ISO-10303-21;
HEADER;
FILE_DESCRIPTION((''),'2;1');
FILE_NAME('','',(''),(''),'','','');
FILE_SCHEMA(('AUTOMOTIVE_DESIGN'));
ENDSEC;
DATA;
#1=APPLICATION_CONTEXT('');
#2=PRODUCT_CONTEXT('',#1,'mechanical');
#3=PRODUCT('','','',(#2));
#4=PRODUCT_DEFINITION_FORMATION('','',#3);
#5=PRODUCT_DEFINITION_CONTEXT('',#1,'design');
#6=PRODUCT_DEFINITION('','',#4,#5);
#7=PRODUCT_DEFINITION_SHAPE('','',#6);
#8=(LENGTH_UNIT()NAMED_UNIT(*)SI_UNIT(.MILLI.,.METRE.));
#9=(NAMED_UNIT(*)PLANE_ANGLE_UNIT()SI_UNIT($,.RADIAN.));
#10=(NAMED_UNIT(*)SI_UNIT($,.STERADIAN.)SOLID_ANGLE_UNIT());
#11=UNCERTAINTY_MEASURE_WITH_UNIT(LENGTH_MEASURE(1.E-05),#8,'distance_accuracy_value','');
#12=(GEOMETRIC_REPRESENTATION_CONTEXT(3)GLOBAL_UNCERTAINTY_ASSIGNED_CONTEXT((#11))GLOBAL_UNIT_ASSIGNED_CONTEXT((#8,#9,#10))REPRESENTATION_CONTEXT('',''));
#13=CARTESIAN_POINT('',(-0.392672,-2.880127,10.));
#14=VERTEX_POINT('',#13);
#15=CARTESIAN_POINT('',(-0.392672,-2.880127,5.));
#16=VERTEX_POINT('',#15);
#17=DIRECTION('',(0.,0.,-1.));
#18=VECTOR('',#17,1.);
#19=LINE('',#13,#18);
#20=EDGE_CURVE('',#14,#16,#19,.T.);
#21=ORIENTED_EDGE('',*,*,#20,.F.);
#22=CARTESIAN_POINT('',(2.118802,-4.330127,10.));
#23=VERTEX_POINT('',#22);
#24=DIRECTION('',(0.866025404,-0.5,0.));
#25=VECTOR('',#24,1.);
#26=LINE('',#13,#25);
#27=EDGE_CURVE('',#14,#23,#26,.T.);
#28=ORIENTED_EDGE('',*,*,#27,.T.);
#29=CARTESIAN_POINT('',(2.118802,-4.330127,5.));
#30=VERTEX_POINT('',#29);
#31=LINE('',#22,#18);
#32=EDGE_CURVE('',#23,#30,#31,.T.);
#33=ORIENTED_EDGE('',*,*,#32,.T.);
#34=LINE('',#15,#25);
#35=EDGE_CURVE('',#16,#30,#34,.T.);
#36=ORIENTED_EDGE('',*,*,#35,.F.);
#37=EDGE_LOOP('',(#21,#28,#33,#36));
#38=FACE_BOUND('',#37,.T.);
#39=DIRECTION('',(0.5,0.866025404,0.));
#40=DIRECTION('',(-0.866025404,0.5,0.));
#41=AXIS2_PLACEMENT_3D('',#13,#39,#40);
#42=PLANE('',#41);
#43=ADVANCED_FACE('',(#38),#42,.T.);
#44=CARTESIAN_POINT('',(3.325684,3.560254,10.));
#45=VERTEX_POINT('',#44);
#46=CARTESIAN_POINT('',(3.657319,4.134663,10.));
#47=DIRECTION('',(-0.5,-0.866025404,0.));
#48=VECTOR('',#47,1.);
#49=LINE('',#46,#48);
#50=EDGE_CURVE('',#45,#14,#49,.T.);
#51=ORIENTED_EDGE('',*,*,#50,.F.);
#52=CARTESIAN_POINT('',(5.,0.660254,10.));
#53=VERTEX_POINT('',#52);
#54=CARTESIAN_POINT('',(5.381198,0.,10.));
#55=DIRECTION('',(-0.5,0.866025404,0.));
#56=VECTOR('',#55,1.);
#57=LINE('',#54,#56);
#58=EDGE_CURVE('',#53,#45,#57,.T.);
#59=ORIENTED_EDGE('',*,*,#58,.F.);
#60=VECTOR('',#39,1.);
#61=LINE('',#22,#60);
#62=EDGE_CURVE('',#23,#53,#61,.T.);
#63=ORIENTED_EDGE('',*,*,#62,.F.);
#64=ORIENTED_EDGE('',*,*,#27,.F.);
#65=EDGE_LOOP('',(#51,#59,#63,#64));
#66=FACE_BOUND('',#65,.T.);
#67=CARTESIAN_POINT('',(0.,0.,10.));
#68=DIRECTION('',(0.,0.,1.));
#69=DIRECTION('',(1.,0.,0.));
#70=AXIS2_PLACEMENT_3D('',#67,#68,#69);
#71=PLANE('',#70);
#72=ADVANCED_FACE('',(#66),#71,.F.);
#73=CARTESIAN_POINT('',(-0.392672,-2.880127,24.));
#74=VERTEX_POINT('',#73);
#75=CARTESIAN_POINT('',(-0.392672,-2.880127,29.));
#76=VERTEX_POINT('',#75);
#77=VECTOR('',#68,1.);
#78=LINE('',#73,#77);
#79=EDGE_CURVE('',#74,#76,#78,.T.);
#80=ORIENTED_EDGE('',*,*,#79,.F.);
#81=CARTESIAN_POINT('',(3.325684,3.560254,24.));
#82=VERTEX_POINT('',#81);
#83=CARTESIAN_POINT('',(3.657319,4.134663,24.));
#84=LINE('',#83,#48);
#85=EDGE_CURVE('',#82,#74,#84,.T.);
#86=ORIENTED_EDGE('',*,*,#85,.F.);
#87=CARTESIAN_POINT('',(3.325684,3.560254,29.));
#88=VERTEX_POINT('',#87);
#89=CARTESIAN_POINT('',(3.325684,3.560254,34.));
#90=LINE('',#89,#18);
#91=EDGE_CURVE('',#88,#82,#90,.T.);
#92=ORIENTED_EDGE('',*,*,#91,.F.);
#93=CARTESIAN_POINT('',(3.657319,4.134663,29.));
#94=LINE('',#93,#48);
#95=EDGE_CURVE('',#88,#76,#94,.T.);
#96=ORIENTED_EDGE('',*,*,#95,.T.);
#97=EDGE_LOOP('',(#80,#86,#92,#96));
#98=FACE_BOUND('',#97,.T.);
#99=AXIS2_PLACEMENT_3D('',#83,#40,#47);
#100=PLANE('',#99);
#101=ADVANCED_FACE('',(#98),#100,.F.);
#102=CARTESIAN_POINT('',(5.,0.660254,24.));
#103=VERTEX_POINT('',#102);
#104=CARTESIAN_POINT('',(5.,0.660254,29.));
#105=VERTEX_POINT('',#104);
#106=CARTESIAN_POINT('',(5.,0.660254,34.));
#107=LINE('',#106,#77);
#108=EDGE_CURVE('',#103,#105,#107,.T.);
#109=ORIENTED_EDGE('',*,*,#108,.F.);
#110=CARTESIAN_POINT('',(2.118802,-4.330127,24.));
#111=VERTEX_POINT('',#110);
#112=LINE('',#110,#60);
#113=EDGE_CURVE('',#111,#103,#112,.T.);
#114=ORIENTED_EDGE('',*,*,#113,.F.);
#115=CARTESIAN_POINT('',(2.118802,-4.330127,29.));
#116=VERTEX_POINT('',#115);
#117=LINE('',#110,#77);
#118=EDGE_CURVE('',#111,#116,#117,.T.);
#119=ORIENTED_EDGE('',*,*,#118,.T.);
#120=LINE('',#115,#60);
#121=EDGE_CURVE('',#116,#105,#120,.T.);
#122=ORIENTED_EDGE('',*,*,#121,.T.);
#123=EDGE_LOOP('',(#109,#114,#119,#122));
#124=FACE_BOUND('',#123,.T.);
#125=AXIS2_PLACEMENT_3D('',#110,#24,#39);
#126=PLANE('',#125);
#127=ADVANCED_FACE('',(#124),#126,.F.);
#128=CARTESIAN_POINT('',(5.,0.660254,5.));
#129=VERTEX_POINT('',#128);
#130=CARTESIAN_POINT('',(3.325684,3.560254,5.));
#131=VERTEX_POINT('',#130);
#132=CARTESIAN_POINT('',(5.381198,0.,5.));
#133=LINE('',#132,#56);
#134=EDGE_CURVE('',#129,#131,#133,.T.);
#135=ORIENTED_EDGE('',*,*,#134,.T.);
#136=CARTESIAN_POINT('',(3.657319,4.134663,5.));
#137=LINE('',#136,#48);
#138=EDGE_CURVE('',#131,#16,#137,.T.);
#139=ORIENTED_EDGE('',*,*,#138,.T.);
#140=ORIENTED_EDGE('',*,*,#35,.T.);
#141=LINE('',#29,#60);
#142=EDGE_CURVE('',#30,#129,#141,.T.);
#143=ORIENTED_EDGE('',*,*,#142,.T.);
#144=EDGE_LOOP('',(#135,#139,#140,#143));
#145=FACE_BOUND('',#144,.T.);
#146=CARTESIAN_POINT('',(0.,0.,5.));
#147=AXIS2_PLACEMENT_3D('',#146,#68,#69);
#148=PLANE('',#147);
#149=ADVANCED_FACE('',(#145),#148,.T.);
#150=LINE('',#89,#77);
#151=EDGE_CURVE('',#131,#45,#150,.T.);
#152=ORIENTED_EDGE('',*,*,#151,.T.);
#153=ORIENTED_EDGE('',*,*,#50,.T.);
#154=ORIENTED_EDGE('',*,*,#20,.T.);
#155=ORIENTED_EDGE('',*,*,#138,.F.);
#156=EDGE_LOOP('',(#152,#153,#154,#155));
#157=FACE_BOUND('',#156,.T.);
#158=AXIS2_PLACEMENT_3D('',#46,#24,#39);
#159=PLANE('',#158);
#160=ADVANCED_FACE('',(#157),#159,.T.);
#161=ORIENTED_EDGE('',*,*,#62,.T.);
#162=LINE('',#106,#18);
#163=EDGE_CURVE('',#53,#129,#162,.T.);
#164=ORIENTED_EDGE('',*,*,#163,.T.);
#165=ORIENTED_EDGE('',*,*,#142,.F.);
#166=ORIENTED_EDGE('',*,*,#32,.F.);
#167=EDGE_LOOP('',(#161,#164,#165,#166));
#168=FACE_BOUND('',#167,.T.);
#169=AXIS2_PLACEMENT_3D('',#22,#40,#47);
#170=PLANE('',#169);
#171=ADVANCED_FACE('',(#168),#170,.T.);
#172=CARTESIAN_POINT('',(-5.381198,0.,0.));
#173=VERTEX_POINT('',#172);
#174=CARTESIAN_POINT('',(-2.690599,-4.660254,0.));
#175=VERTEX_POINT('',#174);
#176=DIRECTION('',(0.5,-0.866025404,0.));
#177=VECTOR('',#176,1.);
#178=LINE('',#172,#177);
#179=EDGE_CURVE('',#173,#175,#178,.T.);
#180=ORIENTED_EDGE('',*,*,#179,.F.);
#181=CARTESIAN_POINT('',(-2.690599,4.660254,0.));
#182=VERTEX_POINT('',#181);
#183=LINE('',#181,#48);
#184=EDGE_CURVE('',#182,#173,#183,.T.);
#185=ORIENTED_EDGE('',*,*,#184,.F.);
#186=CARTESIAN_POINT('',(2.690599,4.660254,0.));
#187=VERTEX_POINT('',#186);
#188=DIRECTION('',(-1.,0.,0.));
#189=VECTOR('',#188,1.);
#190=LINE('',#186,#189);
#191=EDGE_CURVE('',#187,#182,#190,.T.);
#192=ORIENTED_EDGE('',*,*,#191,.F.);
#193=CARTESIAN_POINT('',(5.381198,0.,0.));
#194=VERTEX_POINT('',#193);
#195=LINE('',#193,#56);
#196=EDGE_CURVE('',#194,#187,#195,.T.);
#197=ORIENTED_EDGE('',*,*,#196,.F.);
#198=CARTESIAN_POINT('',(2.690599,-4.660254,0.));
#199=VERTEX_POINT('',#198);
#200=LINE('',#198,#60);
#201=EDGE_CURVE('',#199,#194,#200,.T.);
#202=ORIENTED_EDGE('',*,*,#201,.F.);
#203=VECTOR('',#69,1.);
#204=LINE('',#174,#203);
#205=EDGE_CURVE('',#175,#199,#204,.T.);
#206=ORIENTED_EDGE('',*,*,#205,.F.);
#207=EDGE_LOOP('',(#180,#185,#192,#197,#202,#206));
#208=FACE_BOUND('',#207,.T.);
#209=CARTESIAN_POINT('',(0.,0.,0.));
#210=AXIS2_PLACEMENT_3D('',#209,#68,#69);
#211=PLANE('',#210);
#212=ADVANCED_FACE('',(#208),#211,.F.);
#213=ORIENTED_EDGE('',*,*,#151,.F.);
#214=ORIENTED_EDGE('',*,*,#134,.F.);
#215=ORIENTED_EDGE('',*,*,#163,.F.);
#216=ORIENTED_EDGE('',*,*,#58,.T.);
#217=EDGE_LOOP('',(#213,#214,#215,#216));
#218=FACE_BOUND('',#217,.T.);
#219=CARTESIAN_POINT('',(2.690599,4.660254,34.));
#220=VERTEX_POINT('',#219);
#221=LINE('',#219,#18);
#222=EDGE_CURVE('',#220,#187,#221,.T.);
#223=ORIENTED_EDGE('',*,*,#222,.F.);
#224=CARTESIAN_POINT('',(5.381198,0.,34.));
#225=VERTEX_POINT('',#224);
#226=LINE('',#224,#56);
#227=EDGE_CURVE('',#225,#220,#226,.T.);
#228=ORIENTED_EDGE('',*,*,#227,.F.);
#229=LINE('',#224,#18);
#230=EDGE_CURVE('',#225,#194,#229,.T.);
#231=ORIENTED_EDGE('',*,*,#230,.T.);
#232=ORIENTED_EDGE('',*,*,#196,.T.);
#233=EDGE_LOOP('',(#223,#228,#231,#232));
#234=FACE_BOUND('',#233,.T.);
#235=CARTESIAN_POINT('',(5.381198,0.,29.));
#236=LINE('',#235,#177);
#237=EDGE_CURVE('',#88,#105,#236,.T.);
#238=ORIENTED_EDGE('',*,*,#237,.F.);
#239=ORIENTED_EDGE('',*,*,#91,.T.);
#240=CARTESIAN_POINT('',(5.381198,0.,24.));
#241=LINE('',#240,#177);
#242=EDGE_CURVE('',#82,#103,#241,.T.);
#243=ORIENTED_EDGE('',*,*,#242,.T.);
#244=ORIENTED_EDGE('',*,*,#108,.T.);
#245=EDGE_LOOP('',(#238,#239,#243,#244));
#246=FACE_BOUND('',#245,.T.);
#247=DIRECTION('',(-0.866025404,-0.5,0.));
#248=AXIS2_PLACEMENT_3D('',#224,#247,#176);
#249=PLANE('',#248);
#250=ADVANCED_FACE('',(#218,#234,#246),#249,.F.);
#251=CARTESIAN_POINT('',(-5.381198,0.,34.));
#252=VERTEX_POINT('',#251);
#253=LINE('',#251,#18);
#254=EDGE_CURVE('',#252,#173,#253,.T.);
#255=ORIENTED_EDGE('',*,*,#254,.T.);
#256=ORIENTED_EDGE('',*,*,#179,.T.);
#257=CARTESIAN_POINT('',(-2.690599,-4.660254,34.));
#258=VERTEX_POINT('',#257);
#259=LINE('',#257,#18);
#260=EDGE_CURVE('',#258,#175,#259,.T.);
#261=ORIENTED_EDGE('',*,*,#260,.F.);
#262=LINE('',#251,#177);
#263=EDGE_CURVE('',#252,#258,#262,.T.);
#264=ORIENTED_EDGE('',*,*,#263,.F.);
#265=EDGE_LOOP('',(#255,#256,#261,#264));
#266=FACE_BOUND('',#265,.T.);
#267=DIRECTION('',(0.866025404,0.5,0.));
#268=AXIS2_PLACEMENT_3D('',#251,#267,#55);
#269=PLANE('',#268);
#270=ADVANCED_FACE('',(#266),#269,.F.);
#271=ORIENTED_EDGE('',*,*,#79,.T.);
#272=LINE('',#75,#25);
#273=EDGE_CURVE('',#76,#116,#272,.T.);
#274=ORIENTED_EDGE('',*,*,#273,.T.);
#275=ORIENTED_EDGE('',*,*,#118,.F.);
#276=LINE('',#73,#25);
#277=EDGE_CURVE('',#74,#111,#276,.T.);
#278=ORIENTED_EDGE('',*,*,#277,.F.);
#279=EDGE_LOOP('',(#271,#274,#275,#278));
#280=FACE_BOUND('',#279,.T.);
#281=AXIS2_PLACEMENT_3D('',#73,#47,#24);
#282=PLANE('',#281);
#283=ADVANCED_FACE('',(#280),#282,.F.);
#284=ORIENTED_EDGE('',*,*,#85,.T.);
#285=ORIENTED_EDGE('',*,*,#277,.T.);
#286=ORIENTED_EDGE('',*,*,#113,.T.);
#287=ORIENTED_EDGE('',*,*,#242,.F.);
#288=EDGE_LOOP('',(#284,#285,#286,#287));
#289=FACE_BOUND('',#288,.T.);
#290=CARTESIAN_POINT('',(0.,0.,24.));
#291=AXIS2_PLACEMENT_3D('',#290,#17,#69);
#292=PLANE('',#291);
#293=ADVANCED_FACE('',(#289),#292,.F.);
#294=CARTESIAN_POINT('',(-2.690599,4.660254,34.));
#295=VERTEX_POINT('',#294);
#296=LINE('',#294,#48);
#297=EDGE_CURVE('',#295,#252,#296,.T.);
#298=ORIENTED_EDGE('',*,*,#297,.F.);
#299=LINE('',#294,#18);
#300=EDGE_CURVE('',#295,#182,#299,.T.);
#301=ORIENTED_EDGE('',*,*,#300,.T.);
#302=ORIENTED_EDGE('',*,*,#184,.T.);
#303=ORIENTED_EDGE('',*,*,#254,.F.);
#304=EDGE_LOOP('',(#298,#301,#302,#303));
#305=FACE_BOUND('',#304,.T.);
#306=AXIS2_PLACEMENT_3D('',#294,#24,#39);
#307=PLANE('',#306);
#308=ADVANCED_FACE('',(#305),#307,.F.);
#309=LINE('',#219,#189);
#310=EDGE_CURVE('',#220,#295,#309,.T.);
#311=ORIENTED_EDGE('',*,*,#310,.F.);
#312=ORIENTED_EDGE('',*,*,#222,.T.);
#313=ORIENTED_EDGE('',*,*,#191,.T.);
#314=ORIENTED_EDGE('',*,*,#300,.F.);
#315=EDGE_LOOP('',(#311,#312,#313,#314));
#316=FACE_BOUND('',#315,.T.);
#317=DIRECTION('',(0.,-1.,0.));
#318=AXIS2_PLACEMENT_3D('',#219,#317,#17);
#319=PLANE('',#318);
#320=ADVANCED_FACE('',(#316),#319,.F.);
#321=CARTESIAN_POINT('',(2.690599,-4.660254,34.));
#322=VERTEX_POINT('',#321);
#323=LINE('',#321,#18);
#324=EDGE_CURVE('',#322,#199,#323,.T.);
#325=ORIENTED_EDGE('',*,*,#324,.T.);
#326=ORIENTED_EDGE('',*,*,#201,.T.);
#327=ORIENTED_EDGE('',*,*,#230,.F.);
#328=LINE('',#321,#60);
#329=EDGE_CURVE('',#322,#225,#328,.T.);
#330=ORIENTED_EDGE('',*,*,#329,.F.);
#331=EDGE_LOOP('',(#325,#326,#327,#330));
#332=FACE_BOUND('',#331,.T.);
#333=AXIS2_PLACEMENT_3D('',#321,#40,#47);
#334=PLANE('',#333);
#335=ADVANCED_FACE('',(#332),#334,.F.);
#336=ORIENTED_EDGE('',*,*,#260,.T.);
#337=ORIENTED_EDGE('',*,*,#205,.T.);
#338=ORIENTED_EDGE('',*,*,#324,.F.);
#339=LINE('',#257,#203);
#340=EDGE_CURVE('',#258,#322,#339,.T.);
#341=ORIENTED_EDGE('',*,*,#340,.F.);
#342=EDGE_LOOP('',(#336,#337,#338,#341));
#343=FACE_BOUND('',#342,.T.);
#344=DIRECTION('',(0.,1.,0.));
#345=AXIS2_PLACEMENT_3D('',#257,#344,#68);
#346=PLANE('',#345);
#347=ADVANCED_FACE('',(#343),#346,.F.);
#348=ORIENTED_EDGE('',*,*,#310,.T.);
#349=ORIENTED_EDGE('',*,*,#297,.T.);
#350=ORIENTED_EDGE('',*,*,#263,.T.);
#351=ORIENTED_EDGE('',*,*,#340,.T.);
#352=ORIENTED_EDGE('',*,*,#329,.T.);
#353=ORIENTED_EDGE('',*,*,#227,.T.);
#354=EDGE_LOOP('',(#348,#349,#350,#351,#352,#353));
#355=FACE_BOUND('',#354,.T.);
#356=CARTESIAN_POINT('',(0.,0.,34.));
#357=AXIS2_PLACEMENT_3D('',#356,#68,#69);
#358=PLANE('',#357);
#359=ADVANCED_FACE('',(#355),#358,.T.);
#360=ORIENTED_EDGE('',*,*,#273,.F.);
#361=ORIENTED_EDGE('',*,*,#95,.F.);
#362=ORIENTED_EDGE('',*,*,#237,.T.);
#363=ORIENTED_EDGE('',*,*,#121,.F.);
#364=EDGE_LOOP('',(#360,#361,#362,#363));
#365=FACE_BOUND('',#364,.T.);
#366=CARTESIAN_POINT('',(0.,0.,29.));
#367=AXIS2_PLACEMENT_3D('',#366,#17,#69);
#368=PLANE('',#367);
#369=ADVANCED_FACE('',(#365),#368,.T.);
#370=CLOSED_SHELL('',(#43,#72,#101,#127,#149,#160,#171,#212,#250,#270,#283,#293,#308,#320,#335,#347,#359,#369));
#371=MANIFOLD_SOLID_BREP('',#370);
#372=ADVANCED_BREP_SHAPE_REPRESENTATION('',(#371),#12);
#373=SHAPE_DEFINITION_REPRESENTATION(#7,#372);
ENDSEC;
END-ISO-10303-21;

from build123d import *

# Parameters (mm, degrees)
BOSS_EXTRU_1_DEPTH      = 34
ENL_V_MAT_EXTRU_1_DEPTH = 5


with BuildPart() as part:
    # Esquisse1 → Boss.-Extru.1 (new body)
    with BuildSketch(Plane.XY):
        Polygon((-2.690598923, 4.660254038), (-5.381197846, 0), (-2.690598923, -4.660254038), (2.690598923, -4.660254038), (5.381197846, 0), (2.690598923, 4.660254038), align=None)
    extrude(amount=BOSS_EXTRU_1_DEPTH)

    # Esquisse2 → Enlèv. mat.-Extru.1 (cut)
    with BuildSketch(Plane.XY.offset(5)):
        Polygon((3.657319172, 4.134662626), (-0.392671517, -2.880127019), (2.118802154, -4.330127019), (6.168792843, 2.684662626), align=None)
    enl_v_mat_extru_1 = extrude(amount=ENL_V_MAT_EXTRU_1_DEPTH, mode=Mode.SUBTRACT)

    # Symétrie1: Enlèv. mat.-Extru.1 across plane
    add(enl_v_mat_extru_1.mirror(Plane(origin=(0, 0, 17), x_dir=(1, 0, 0), z_dir=(0, 0, -1))), mode=Mode.SUBTRACT)


solid = part.part
